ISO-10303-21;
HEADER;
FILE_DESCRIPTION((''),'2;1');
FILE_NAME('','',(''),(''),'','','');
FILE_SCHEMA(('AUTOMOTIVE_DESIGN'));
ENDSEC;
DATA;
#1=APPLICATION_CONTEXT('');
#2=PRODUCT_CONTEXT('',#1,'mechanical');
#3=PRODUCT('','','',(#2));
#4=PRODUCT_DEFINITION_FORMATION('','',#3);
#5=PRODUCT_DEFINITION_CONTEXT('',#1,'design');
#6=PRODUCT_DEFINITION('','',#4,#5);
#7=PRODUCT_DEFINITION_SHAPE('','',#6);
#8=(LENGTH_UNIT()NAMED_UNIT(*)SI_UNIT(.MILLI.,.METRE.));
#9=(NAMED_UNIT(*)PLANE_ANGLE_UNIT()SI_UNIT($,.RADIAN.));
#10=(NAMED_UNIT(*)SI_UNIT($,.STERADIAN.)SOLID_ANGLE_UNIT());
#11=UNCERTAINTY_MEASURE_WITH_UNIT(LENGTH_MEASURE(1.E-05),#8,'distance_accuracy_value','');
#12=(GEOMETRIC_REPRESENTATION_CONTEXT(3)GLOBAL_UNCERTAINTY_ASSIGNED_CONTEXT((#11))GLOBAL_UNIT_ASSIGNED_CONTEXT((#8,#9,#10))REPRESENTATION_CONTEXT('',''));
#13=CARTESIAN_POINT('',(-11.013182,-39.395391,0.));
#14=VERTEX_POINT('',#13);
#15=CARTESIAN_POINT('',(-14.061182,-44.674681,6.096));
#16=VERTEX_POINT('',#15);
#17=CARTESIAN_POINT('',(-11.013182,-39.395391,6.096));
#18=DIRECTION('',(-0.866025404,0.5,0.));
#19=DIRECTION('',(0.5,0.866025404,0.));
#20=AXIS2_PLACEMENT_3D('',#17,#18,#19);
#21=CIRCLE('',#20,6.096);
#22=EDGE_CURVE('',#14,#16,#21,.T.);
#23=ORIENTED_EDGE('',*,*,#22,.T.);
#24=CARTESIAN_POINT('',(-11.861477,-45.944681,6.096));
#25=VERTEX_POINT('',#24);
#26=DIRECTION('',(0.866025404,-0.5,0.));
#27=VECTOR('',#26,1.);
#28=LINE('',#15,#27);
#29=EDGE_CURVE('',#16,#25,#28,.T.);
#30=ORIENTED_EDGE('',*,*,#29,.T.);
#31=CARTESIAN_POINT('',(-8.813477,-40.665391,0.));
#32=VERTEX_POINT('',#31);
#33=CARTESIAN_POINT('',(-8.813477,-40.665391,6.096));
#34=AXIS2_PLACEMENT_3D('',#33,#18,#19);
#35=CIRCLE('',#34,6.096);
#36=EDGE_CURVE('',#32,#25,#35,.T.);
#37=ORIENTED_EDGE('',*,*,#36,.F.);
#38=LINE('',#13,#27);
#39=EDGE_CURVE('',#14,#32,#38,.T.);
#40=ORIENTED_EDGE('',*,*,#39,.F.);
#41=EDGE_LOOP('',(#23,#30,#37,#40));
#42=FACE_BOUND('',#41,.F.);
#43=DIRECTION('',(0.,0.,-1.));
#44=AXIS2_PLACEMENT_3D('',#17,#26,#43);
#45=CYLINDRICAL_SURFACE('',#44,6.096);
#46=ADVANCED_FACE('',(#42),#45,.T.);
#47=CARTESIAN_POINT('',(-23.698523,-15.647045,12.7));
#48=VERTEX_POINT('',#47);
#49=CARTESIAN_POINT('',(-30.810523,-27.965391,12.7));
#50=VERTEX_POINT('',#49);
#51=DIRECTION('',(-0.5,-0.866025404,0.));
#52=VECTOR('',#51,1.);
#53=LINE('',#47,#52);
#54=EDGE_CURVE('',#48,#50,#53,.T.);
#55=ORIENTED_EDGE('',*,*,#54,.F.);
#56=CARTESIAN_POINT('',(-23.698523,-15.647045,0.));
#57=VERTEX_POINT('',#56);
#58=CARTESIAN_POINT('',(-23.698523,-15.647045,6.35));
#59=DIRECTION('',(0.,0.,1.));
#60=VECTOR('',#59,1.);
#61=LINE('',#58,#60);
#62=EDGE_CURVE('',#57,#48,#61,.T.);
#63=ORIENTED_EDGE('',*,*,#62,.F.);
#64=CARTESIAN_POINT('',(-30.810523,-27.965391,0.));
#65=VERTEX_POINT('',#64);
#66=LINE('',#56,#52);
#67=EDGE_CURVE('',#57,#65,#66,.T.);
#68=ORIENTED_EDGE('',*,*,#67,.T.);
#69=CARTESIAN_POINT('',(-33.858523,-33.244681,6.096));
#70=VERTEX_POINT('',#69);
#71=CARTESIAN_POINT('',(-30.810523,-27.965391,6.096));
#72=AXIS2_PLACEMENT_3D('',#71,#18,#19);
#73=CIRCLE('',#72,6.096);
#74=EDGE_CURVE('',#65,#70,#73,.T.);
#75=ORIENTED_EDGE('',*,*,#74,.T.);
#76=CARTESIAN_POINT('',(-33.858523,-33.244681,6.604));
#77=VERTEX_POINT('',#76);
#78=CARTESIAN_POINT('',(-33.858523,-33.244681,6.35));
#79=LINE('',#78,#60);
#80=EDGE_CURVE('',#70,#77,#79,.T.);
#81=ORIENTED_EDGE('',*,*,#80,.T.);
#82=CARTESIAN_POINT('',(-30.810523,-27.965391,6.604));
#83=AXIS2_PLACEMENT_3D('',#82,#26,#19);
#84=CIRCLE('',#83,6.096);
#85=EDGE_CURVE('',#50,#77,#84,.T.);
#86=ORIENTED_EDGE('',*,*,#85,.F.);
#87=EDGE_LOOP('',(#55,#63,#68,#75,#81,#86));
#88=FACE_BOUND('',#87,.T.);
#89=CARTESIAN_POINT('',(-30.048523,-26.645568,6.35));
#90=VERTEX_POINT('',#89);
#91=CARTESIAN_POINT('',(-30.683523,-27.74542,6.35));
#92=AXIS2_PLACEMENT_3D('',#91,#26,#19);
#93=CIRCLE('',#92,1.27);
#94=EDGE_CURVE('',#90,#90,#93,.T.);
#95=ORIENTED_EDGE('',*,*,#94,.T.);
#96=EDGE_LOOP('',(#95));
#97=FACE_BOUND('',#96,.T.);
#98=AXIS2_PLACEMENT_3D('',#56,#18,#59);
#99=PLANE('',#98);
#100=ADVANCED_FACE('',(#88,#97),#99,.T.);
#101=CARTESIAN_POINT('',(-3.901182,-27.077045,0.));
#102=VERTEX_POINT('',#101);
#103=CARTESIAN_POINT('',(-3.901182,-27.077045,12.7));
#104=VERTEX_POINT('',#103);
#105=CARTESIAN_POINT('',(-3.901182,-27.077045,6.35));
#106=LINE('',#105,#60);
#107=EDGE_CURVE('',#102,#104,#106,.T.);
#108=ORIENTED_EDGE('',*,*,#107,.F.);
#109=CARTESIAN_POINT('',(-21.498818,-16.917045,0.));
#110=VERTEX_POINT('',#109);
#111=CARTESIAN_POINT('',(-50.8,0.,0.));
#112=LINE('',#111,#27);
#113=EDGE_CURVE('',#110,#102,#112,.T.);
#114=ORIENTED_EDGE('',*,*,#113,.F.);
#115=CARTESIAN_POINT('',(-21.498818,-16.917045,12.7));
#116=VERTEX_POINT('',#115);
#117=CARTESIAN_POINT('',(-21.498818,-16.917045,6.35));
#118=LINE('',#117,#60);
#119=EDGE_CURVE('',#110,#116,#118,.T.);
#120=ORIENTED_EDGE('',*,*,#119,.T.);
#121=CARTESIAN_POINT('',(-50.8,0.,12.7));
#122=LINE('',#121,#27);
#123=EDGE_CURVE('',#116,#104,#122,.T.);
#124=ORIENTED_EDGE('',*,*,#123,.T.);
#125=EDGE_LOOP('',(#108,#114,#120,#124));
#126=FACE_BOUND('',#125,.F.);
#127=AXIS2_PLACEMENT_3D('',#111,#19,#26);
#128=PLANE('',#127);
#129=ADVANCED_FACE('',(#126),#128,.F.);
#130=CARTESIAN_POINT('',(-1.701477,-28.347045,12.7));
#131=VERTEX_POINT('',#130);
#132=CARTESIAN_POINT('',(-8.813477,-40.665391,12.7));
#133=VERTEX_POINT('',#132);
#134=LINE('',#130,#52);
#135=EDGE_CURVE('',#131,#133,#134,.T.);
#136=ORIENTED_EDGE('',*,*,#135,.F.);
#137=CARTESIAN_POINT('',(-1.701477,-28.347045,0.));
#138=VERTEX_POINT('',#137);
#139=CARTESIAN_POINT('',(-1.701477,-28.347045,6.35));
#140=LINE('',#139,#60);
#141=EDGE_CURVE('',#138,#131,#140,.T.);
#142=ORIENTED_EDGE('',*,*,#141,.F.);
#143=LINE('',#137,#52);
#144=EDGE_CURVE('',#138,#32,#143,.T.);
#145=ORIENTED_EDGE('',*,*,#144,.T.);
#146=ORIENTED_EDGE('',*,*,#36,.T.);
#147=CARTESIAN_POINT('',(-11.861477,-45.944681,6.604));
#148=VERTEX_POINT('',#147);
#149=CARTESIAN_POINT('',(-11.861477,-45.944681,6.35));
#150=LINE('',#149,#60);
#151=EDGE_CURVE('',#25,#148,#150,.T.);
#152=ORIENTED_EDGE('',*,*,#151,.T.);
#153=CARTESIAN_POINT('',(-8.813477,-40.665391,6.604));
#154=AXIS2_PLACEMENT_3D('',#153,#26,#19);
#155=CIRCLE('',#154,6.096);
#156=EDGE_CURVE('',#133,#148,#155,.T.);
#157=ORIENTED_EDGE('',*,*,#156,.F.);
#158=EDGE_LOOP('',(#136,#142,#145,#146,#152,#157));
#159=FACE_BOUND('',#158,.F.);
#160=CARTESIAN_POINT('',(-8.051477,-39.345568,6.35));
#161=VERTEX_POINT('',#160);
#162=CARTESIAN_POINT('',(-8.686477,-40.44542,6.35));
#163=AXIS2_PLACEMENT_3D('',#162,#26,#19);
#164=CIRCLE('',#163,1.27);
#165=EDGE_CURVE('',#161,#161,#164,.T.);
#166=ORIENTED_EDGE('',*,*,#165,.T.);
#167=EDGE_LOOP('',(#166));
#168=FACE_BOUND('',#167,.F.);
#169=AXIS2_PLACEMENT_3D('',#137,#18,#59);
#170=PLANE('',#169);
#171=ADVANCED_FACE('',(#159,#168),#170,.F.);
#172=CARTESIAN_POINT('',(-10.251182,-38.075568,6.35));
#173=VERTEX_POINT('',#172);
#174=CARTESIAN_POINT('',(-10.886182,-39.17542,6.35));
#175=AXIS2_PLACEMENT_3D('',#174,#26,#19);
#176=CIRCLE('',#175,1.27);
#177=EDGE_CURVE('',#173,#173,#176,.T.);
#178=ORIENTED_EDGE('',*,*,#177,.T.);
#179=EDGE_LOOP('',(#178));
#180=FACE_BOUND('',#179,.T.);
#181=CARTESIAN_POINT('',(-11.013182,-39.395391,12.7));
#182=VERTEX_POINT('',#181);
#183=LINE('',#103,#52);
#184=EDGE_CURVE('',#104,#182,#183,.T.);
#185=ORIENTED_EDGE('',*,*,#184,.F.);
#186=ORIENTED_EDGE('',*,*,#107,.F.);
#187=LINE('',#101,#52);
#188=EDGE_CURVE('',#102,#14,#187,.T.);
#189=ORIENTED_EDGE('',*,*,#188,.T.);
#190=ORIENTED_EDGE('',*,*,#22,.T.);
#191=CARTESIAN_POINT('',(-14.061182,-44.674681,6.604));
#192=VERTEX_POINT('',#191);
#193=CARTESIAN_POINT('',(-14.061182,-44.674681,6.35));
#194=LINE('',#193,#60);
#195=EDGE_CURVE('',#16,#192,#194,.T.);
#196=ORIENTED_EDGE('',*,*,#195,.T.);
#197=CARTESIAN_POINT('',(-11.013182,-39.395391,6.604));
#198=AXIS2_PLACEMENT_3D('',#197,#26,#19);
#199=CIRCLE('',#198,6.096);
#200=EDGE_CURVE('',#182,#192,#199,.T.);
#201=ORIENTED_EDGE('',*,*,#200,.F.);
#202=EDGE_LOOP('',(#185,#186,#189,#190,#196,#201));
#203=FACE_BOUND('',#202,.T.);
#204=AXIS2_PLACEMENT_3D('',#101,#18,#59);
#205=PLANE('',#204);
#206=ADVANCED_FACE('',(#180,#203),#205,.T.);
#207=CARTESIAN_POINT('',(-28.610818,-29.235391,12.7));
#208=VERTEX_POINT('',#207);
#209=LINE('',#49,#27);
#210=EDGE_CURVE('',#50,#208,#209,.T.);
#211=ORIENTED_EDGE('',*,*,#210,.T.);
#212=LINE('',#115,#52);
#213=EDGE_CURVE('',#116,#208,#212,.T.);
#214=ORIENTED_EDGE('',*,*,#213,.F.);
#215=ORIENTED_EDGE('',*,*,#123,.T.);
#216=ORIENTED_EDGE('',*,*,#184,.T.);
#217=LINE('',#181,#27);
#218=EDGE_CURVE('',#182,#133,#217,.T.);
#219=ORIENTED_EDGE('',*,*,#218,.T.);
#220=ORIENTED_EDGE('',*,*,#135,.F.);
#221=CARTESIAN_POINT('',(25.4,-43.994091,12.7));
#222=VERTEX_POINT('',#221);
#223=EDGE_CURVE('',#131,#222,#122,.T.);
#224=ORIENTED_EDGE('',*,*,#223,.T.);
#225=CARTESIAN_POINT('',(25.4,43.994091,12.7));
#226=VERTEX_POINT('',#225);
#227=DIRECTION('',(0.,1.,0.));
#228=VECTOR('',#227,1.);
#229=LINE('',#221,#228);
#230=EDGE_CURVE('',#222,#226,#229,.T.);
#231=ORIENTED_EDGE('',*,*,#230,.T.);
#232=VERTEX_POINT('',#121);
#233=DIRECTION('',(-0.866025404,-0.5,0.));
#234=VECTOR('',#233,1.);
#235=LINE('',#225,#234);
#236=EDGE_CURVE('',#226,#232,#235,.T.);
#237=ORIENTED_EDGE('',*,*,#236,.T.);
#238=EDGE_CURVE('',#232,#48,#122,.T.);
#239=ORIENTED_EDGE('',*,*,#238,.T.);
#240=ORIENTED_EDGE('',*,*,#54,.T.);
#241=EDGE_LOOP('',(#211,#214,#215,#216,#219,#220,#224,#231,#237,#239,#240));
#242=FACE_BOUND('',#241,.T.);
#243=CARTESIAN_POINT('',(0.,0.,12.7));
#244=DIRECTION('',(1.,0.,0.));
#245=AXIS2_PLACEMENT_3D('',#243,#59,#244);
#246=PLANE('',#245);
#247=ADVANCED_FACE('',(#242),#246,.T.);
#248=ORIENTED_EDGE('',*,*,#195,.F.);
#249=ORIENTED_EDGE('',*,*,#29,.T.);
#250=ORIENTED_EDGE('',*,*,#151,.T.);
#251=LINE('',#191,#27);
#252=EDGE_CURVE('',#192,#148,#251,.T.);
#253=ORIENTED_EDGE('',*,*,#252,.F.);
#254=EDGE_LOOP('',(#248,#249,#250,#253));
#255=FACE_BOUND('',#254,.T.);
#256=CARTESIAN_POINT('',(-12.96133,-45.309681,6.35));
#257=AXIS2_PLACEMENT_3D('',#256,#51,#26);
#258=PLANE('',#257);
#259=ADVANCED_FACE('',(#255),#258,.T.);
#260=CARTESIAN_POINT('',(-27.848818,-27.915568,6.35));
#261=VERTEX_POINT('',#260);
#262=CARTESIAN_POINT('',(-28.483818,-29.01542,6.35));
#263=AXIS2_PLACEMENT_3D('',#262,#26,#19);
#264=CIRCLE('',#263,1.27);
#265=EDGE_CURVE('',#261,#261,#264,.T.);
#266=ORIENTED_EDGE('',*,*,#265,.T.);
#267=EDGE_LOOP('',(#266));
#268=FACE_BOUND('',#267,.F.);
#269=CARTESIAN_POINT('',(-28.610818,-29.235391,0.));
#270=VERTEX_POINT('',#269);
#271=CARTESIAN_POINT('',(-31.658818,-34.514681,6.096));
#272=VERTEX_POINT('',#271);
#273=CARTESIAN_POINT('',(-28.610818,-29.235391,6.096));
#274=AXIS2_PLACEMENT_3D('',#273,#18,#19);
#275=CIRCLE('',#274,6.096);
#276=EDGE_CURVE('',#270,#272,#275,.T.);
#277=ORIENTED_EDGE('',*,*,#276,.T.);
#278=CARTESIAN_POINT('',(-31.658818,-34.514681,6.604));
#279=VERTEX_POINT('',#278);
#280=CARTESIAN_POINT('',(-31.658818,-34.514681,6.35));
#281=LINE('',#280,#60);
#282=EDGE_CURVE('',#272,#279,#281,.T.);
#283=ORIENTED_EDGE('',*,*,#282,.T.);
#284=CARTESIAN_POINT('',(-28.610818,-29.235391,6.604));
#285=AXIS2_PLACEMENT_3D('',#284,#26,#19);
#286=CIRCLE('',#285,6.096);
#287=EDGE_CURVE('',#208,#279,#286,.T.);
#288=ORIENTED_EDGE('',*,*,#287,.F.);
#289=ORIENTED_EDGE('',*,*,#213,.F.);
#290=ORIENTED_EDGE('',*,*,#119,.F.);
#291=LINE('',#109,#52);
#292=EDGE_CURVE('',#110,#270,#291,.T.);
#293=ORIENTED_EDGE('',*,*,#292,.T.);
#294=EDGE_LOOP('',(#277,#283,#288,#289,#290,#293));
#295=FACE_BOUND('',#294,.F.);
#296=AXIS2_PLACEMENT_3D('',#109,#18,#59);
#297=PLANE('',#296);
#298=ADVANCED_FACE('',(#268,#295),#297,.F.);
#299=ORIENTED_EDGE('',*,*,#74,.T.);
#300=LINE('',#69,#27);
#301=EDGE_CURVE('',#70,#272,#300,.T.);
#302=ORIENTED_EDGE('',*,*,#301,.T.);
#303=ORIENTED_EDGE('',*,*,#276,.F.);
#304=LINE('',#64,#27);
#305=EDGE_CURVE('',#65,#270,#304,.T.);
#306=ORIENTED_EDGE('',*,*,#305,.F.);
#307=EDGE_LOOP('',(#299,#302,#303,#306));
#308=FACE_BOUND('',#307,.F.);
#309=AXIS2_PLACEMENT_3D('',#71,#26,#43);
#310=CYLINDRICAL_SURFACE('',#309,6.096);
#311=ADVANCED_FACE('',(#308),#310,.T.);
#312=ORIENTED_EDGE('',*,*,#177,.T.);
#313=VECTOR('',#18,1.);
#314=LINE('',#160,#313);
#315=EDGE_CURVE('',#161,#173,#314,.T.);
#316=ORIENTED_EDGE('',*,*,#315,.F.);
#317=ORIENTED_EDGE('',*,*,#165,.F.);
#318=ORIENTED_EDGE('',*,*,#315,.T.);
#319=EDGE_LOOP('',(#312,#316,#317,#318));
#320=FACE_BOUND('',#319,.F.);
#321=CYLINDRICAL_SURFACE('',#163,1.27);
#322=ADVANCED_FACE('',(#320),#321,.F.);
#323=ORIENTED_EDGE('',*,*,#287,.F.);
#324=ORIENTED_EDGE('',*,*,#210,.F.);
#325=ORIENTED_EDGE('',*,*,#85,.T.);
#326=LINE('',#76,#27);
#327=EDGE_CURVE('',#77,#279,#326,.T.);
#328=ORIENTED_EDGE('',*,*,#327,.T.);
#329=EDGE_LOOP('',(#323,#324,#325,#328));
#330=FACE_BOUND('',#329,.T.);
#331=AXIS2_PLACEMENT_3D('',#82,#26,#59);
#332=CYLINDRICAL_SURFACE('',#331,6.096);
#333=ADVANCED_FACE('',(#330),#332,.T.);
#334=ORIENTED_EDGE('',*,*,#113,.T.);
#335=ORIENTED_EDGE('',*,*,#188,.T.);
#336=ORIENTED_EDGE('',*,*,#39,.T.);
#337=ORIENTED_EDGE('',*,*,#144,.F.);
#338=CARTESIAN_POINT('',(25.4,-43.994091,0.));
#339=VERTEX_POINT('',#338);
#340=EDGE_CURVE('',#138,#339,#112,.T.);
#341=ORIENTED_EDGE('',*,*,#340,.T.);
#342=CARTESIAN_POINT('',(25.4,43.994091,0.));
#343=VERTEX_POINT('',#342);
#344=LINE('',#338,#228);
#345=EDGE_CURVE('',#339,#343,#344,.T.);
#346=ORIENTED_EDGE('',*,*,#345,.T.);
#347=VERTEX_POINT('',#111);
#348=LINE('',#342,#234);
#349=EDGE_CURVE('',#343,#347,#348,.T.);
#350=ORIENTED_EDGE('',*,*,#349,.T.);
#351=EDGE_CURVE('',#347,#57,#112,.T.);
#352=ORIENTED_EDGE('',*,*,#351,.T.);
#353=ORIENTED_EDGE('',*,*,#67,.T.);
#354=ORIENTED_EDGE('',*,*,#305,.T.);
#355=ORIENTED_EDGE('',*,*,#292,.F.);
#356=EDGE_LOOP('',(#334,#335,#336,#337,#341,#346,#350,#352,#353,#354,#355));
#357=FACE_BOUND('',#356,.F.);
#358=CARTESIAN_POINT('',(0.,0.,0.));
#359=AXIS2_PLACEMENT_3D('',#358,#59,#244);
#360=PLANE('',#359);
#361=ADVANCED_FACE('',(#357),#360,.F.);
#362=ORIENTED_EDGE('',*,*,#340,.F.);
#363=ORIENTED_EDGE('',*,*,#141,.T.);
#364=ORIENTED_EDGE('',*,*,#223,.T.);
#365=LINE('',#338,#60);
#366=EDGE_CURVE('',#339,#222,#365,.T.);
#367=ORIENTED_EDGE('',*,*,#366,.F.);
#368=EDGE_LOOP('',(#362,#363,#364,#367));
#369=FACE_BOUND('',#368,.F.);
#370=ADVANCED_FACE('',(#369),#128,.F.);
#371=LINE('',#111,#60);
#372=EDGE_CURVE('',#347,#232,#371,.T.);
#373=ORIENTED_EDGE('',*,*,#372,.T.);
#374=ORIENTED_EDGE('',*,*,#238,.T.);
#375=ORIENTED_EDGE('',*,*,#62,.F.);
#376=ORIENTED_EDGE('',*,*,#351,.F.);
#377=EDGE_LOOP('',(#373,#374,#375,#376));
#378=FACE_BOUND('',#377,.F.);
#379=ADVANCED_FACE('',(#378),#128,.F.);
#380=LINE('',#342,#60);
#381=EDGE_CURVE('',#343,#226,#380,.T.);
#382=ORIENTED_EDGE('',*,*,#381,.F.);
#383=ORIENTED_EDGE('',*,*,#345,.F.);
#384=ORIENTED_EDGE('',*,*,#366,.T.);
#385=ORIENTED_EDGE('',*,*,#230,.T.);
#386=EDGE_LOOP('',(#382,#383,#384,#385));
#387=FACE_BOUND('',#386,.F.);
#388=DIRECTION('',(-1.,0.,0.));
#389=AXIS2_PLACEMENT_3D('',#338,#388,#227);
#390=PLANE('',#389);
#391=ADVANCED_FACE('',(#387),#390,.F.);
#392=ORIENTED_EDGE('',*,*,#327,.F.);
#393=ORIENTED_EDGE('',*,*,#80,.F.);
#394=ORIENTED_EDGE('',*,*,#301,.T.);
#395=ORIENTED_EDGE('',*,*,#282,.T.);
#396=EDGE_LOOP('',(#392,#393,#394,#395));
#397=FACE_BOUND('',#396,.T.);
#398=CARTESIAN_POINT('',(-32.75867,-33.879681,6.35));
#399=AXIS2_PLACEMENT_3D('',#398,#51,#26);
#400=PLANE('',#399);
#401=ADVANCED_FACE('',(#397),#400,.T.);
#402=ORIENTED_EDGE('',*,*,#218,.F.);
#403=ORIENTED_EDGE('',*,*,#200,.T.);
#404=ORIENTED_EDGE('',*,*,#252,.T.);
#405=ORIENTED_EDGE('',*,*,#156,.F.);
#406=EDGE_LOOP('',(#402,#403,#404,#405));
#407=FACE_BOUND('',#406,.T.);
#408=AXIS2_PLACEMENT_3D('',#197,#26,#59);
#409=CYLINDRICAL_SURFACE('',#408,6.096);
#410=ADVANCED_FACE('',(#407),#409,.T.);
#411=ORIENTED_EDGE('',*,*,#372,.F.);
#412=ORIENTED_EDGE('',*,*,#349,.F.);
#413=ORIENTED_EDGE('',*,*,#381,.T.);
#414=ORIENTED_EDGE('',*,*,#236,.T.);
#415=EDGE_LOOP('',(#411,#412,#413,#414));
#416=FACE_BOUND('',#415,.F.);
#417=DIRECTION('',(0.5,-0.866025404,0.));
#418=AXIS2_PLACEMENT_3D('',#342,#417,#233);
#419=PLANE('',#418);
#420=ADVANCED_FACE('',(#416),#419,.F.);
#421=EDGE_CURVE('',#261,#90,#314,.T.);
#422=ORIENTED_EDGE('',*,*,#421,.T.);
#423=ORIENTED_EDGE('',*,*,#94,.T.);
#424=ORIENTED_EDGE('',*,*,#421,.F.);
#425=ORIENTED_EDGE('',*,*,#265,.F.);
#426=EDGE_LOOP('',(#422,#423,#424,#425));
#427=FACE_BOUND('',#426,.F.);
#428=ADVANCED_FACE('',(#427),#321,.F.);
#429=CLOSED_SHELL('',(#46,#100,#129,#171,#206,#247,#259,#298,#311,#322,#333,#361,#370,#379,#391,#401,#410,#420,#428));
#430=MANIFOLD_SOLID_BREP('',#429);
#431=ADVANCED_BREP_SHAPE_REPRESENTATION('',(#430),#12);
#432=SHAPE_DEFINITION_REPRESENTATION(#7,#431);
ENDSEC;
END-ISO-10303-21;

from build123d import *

# Parameters (mm, degrees)
F1_DEPTH = 12.7
F2_W     = 2.54
F2_H     = 12.7
F3_DEPTH = 20.32
F4_R     = 1.27
F5_DEPTH = 39.1414
F6_R     = 6.096


with BuildPart() as f1:
    # F0 (on Top) → F1 (new body)
    with BuildSketch(Plane.XY):
        Polygon((25.4, -43.9940905122), (25.4, 43.9940905122), (-50.8, 0), align=None)
    extrude(amount=F1_DEPTH)

    # F2 (on face) → F3 (join)
    with BuildSketch(Plane(origin=(-12.7, -21.9970452561, 0), x_dir=(0.8660254038, -0.5, 0), z_dir=(-0.5, -0.8660254038, 0))):
        with Locations((11.43, 6.35)):
            Rectangle(F2_W, F2_H)
        with Locations((-11.43, 6.35)):
            Rectangle(F2_W, F2_H)
    extrude(amount=F3_DEPTH)

    # F4 (on face) → F5 (cut)
    with BuildSketch(Plane(origin=(10.9985226281, -6.35, 0), x_dir=(0.5, 0.8660254038, 0), z_dir=(0.8660254038, -0.5, 0))):
        with Locations((-39.37, 6.35)):
            Circle(F4_R)
    extrude(amount=-F5_DEPTH, mode=Mode.SUBTRACT)

    # F6
    f6_edges = [f1.edges().sort_by_distance(p)[0] for p in [
        (-32.75867, -33.879681, 0),
        (-32.75867, -33.879681, 12.7),
        (-12.96133, -45.309681, 12.7),
        (-12.96133, -45.309681, 0),
    ]]
    fillet(f6_edges, radius=F6_R)


solid = f1.part
